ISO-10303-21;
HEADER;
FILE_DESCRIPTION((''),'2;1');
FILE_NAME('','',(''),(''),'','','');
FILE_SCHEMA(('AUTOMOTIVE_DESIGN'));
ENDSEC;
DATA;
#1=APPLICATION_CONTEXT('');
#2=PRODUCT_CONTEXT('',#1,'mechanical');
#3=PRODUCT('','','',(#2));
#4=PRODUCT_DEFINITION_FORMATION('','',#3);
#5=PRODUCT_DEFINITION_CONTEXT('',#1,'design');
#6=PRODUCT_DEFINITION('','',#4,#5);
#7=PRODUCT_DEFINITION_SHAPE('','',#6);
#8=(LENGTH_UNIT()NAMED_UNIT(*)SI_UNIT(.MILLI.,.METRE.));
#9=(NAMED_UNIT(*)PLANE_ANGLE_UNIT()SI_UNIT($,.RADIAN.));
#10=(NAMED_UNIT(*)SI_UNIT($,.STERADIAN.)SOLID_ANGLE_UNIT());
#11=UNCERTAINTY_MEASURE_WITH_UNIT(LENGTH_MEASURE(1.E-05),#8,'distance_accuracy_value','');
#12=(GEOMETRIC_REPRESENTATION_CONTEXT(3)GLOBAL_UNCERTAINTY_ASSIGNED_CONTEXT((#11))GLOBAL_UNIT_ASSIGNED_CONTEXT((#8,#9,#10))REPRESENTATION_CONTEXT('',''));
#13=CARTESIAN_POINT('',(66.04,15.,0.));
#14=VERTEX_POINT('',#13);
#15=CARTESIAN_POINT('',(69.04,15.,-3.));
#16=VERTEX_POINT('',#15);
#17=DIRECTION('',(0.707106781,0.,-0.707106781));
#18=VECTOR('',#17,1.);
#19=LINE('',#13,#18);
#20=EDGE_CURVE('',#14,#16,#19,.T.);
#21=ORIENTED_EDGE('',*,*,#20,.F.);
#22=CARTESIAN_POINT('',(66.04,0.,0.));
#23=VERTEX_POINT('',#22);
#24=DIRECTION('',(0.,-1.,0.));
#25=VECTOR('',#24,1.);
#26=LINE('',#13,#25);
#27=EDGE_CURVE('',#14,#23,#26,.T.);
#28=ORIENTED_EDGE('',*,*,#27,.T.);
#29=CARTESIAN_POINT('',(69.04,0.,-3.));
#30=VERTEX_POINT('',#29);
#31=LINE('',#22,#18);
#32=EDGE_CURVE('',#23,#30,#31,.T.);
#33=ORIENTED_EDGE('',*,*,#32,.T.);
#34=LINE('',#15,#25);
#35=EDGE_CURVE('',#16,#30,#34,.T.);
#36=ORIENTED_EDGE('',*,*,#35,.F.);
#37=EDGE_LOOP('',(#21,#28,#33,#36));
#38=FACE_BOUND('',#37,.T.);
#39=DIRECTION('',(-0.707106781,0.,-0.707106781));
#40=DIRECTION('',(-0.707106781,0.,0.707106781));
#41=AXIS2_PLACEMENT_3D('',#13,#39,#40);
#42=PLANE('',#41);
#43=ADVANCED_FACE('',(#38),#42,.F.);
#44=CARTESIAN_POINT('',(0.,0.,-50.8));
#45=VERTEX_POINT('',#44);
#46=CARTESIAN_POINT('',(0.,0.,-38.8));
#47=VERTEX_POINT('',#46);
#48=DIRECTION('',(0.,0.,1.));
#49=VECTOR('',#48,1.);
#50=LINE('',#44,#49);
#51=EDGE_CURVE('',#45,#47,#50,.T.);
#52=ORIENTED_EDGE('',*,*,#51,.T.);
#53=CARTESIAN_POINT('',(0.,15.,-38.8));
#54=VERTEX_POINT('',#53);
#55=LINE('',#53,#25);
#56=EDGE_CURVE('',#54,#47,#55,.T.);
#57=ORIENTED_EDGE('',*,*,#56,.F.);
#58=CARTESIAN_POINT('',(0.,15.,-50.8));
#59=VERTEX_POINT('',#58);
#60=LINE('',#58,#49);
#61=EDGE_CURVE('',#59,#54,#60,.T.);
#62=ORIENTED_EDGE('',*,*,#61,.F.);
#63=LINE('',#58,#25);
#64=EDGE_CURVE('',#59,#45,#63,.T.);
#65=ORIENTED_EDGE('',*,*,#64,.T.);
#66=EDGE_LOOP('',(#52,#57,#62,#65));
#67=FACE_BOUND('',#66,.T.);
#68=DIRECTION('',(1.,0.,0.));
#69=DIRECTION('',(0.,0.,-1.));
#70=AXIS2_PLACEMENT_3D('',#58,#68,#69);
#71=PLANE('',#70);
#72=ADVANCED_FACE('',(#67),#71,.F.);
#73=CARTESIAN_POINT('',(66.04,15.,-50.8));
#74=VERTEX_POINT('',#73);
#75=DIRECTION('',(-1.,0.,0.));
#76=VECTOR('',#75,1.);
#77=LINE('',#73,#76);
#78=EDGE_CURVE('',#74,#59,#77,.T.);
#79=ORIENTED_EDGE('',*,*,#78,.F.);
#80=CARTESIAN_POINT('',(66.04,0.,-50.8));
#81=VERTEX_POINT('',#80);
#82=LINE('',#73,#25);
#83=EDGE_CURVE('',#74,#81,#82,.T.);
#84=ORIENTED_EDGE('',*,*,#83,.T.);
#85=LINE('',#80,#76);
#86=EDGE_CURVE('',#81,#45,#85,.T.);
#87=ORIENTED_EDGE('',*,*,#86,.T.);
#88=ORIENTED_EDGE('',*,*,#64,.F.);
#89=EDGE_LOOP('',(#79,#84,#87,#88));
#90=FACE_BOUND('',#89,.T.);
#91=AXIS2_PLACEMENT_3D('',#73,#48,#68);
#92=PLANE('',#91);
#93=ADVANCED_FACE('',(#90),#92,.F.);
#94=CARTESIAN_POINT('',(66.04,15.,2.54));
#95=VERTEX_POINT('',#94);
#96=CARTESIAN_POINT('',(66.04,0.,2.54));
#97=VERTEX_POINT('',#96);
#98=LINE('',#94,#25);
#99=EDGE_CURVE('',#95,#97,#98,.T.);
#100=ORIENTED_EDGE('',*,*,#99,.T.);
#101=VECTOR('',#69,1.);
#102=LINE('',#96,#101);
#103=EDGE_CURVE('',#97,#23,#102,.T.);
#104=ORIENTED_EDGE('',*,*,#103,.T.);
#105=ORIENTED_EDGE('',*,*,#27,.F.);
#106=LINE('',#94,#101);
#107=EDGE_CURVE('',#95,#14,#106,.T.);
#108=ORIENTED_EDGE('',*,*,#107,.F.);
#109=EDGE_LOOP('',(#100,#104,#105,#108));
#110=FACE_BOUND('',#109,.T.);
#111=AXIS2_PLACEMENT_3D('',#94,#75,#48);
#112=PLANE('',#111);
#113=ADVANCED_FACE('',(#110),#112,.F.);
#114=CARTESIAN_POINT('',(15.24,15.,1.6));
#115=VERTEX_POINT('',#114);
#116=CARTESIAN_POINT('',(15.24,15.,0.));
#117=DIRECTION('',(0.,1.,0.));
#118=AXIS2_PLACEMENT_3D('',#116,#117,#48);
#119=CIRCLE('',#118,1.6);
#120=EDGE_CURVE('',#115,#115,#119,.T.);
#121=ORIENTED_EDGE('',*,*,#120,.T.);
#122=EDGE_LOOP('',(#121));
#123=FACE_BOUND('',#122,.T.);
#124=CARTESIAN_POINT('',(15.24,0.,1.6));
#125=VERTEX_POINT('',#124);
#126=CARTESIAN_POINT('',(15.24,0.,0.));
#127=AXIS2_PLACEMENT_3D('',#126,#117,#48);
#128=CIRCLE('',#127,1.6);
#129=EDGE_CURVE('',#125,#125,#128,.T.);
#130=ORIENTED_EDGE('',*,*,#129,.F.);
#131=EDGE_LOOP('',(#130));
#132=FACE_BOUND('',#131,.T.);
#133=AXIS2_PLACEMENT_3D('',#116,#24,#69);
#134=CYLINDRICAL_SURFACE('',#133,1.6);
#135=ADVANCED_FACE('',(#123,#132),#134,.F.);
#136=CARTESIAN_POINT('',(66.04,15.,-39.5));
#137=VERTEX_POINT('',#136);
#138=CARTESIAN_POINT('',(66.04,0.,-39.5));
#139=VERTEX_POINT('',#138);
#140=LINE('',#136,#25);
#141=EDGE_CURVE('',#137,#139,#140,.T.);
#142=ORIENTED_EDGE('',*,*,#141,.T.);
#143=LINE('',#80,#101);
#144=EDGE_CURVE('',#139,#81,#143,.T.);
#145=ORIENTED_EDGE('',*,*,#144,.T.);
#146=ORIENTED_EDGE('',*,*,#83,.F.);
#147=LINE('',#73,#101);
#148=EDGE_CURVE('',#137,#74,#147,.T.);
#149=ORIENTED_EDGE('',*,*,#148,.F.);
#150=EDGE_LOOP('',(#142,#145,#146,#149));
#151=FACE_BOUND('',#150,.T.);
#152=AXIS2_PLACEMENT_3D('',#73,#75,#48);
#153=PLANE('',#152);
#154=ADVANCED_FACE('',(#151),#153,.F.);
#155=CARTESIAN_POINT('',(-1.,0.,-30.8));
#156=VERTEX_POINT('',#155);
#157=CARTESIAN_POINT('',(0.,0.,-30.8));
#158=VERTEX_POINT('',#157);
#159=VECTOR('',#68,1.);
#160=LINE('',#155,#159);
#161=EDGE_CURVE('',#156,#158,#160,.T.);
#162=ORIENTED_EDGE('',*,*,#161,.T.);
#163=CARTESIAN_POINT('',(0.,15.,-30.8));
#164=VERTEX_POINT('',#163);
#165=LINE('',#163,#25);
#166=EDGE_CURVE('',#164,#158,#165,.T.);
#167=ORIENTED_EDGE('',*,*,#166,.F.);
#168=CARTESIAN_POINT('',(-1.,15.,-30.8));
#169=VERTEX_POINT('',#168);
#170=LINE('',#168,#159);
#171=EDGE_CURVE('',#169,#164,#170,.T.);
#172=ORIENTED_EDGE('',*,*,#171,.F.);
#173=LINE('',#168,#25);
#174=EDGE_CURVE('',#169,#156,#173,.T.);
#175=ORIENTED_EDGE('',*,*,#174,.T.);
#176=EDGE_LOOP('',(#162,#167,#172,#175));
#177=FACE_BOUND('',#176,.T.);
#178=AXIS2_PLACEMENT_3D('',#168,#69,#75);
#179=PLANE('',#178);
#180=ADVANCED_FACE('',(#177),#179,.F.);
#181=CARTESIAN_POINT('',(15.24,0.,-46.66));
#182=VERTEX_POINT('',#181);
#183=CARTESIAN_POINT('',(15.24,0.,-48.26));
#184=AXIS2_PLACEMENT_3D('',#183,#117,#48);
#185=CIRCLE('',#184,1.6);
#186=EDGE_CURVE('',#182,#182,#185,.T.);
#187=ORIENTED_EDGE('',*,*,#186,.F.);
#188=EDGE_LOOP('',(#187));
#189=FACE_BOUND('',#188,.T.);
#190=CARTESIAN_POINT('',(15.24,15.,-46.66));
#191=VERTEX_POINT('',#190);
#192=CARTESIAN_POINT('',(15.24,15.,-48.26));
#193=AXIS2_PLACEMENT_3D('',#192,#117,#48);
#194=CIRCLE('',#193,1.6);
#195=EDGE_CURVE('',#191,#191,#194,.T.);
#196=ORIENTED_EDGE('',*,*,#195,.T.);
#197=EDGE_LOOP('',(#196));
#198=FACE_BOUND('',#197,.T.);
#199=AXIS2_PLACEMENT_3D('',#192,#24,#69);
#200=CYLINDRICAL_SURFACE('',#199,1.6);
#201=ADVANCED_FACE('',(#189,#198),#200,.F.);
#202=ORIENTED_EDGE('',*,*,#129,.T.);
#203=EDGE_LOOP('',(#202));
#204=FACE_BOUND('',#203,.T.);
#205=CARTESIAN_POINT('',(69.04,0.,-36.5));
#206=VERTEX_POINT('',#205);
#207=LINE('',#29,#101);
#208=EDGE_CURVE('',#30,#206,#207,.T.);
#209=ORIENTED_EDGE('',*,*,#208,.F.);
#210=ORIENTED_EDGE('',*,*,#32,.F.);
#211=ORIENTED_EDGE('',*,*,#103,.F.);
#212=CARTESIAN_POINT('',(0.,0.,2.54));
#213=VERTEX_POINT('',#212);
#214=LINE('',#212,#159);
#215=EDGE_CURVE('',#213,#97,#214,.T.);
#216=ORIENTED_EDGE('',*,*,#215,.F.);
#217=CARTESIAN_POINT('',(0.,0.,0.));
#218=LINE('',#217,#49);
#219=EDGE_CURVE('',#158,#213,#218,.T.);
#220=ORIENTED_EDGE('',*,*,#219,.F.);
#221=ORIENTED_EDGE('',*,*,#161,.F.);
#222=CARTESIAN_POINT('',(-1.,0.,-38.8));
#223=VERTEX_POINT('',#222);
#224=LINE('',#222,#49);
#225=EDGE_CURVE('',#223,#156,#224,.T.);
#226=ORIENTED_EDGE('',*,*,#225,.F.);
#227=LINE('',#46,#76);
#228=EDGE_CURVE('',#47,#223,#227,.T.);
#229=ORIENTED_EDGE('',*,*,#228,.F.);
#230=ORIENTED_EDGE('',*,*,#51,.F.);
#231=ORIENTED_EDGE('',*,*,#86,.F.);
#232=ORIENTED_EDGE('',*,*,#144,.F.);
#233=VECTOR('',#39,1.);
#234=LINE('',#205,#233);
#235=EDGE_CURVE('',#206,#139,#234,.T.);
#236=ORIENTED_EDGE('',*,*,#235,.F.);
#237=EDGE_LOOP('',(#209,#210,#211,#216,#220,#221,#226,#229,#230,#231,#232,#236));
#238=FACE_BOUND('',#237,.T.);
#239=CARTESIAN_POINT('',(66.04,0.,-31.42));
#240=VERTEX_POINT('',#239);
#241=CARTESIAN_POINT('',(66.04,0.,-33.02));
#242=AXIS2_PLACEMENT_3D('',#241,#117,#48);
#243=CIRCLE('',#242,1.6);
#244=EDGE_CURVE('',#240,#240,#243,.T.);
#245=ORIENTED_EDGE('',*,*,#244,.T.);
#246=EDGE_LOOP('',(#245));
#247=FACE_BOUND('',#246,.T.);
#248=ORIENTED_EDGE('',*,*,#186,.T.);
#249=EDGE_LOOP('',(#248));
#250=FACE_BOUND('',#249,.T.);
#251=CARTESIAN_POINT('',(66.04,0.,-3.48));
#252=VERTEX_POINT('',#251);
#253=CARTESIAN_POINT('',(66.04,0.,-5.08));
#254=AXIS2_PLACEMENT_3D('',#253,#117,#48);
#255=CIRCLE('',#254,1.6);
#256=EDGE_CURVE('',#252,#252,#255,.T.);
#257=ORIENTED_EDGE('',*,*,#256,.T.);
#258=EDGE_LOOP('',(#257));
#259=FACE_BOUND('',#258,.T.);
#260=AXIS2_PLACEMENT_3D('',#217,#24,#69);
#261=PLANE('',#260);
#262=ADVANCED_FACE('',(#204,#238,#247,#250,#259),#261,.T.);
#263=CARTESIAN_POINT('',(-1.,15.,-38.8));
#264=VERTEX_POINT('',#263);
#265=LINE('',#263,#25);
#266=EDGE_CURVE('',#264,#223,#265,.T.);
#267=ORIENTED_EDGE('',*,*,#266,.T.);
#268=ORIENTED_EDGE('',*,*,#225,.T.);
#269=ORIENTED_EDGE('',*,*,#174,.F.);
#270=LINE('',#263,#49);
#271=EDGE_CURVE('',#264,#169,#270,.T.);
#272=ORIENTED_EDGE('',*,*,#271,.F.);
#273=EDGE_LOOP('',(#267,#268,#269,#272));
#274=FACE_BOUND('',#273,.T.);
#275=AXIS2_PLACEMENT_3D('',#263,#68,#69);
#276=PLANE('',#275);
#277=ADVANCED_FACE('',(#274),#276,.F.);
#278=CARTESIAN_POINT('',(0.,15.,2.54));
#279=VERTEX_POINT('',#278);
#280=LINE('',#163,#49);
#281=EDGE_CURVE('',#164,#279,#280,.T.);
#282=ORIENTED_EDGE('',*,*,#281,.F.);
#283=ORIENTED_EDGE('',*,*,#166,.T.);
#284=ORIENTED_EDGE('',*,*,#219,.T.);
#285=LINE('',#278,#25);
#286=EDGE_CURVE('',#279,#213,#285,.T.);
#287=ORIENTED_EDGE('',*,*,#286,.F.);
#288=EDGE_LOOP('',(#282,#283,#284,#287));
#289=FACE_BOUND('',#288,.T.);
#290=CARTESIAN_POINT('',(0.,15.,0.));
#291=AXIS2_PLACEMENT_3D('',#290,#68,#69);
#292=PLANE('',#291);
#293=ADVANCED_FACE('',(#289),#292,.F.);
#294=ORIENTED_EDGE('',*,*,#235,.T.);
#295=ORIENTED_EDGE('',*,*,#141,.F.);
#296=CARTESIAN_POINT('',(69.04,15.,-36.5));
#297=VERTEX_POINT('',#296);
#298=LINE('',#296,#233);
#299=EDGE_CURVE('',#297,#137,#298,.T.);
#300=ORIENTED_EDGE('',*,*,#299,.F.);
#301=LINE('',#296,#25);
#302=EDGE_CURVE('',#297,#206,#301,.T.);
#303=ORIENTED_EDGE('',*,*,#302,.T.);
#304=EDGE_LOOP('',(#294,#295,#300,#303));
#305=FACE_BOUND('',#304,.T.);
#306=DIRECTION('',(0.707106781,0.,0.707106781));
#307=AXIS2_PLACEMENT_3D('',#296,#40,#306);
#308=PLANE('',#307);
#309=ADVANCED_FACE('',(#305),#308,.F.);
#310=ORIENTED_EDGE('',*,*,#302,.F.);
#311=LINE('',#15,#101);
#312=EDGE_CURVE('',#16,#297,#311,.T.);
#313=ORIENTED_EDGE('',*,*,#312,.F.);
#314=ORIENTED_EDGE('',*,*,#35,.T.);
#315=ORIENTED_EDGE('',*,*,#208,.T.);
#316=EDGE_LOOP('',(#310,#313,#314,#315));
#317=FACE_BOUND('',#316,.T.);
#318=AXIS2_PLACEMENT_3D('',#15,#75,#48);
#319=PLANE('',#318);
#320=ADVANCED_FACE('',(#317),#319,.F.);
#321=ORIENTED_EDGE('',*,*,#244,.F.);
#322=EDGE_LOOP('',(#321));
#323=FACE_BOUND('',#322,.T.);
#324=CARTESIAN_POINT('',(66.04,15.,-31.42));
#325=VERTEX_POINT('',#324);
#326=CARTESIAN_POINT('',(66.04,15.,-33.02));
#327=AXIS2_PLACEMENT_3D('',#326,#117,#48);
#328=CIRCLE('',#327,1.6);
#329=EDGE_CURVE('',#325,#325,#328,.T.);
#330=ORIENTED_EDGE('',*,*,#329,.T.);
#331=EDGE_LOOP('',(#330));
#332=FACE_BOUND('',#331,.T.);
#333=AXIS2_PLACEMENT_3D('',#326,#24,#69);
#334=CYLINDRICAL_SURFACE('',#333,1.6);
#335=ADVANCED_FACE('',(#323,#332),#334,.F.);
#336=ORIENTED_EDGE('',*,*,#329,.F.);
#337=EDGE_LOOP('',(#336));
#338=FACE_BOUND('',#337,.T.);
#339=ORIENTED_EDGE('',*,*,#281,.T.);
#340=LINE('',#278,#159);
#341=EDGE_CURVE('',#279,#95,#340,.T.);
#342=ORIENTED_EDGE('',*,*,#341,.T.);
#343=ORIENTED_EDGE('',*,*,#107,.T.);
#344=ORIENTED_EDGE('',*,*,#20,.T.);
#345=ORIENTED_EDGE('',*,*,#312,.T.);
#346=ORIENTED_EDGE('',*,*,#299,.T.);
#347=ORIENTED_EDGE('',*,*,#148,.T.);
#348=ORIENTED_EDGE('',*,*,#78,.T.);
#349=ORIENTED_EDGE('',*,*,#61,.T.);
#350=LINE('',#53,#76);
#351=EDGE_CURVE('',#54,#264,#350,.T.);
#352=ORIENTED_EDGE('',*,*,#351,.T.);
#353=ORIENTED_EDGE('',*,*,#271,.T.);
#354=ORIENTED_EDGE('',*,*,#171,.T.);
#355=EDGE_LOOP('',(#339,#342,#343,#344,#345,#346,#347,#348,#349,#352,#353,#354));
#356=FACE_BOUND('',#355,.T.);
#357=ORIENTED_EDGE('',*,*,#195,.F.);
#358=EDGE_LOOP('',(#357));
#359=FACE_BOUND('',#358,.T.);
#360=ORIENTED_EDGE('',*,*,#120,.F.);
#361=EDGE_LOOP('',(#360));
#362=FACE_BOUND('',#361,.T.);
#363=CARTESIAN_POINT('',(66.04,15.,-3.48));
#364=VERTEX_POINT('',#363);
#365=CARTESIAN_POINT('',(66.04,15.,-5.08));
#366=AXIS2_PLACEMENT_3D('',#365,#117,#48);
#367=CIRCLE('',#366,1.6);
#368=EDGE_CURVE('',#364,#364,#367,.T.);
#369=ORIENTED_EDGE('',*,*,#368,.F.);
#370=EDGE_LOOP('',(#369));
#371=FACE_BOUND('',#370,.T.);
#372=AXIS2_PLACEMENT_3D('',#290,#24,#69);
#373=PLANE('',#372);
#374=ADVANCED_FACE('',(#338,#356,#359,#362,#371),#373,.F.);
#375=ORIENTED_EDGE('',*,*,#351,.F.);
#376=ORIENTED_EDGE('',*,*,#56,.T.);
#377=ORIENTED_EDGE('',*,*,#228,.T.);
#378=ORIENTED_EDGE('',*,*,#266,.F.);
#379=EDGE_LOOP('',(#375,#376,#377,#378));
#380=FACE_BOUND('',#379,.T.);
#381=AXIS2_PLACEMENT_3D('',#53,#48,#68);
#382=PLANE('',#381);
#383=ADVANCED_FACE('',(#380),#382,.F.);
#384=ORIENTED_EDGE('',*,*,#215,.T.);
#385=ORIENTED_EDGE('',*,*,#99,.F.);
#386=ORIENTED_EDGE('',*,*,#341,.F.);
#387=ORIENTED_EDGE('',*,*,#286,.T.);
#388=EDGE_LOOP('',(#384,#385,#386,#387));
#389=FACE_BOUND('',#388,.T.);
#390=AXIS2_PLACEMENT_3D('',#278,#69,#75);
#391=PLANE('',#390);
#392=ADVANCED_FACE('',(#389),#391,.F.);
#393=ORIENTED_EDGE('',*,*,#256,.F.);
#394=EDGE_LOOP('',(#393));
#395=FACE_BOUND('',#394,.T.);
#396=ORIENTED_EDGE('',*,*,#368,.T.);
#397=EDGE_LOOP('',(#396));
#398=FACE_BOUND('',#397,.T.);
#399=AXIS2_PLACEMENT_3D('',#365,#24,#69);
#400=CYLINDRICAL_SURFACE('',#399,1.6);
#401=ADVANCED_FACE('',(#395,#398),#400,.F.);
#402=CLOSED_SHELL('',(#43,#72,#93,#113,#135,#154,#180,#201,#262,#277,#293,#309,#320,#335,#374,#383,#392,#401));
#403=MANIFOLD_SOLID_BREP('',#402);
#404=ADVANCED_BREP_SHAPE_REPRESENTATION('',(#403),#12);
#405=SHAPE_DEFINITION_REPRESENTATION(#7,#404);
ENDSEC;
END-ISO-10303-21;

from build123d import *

# Parameters (mm, degrees)
SZKIC1_R                    = 1.6
DODANIE_WYCI_GNI_CIE1_DEPTH = 15
SZKIC2_W                    = 2
SZKIC2_H                    = 9
WYTNIJ_WYCI_GNI_CIE1_DEPTH  = 88.018168218


with BuildPart() as part:
    # Szkic1 → Dodanie-wyciągnięcie1 (new body)
    with BuildSketch(Plane(origin=(0, 0, 0), x_dir=(1, 0, 0), z_dir=(0, 1, 0))):
        Polygon((0, -2.54), (66.04, -2.54), (66.04, 0), (69.04, 3), (69.04, 36.5), (66.04, 39.5), (66.04, 50.8), (0, 50.8), (0, 38.8), (-1, 38.8), (-1, 30.8), (0, 30.8), (0, 9), (-2, 9), (-2, 0), (0, 0), align=None)
        with Locations(Location((15.24, 0, 0), (0, 0, 270))):
            Circle(SZKIC1_R, mode=Mode.SUBTRACT)
        with Locations(Location((66.04, 33.02, 0), (0, 0, 270))):
            Circle(SZKIC1_R, mode=Mode.SUBTRACT)
        with Locations(Location((66.04, 5.08, 0), (0, 0, 270))):
            Circle(SZKIC1_R, mode=Mode.SUBTRACT)
        with Locations(Location((15.24, 48.26, 0), (0, 0, 270))):
            Circle(SZKIC1_R, mode=Mode.SUBTRACT)
    extrude(amount=DODANIE_WYCI_GNI_CIE1_DEPTH)

    # Szkic2 → Wytnij-wyciągnięcie1 (cut, through all)
    with BuildSketch(Plane(origin=(0, 15, 0), x_dir=(1, 0, 0), z_dir=(0, 1, 0))):
        with Locations((-1, 4.5)):
            Rectangle(SZKIC2_W, SZKIC2_H)
    extrude(amount=-WYTNIJ_WYCI_GNI_CIE1_DEPTH, mode=Mode.SUBTRACT)


solid = part.part
